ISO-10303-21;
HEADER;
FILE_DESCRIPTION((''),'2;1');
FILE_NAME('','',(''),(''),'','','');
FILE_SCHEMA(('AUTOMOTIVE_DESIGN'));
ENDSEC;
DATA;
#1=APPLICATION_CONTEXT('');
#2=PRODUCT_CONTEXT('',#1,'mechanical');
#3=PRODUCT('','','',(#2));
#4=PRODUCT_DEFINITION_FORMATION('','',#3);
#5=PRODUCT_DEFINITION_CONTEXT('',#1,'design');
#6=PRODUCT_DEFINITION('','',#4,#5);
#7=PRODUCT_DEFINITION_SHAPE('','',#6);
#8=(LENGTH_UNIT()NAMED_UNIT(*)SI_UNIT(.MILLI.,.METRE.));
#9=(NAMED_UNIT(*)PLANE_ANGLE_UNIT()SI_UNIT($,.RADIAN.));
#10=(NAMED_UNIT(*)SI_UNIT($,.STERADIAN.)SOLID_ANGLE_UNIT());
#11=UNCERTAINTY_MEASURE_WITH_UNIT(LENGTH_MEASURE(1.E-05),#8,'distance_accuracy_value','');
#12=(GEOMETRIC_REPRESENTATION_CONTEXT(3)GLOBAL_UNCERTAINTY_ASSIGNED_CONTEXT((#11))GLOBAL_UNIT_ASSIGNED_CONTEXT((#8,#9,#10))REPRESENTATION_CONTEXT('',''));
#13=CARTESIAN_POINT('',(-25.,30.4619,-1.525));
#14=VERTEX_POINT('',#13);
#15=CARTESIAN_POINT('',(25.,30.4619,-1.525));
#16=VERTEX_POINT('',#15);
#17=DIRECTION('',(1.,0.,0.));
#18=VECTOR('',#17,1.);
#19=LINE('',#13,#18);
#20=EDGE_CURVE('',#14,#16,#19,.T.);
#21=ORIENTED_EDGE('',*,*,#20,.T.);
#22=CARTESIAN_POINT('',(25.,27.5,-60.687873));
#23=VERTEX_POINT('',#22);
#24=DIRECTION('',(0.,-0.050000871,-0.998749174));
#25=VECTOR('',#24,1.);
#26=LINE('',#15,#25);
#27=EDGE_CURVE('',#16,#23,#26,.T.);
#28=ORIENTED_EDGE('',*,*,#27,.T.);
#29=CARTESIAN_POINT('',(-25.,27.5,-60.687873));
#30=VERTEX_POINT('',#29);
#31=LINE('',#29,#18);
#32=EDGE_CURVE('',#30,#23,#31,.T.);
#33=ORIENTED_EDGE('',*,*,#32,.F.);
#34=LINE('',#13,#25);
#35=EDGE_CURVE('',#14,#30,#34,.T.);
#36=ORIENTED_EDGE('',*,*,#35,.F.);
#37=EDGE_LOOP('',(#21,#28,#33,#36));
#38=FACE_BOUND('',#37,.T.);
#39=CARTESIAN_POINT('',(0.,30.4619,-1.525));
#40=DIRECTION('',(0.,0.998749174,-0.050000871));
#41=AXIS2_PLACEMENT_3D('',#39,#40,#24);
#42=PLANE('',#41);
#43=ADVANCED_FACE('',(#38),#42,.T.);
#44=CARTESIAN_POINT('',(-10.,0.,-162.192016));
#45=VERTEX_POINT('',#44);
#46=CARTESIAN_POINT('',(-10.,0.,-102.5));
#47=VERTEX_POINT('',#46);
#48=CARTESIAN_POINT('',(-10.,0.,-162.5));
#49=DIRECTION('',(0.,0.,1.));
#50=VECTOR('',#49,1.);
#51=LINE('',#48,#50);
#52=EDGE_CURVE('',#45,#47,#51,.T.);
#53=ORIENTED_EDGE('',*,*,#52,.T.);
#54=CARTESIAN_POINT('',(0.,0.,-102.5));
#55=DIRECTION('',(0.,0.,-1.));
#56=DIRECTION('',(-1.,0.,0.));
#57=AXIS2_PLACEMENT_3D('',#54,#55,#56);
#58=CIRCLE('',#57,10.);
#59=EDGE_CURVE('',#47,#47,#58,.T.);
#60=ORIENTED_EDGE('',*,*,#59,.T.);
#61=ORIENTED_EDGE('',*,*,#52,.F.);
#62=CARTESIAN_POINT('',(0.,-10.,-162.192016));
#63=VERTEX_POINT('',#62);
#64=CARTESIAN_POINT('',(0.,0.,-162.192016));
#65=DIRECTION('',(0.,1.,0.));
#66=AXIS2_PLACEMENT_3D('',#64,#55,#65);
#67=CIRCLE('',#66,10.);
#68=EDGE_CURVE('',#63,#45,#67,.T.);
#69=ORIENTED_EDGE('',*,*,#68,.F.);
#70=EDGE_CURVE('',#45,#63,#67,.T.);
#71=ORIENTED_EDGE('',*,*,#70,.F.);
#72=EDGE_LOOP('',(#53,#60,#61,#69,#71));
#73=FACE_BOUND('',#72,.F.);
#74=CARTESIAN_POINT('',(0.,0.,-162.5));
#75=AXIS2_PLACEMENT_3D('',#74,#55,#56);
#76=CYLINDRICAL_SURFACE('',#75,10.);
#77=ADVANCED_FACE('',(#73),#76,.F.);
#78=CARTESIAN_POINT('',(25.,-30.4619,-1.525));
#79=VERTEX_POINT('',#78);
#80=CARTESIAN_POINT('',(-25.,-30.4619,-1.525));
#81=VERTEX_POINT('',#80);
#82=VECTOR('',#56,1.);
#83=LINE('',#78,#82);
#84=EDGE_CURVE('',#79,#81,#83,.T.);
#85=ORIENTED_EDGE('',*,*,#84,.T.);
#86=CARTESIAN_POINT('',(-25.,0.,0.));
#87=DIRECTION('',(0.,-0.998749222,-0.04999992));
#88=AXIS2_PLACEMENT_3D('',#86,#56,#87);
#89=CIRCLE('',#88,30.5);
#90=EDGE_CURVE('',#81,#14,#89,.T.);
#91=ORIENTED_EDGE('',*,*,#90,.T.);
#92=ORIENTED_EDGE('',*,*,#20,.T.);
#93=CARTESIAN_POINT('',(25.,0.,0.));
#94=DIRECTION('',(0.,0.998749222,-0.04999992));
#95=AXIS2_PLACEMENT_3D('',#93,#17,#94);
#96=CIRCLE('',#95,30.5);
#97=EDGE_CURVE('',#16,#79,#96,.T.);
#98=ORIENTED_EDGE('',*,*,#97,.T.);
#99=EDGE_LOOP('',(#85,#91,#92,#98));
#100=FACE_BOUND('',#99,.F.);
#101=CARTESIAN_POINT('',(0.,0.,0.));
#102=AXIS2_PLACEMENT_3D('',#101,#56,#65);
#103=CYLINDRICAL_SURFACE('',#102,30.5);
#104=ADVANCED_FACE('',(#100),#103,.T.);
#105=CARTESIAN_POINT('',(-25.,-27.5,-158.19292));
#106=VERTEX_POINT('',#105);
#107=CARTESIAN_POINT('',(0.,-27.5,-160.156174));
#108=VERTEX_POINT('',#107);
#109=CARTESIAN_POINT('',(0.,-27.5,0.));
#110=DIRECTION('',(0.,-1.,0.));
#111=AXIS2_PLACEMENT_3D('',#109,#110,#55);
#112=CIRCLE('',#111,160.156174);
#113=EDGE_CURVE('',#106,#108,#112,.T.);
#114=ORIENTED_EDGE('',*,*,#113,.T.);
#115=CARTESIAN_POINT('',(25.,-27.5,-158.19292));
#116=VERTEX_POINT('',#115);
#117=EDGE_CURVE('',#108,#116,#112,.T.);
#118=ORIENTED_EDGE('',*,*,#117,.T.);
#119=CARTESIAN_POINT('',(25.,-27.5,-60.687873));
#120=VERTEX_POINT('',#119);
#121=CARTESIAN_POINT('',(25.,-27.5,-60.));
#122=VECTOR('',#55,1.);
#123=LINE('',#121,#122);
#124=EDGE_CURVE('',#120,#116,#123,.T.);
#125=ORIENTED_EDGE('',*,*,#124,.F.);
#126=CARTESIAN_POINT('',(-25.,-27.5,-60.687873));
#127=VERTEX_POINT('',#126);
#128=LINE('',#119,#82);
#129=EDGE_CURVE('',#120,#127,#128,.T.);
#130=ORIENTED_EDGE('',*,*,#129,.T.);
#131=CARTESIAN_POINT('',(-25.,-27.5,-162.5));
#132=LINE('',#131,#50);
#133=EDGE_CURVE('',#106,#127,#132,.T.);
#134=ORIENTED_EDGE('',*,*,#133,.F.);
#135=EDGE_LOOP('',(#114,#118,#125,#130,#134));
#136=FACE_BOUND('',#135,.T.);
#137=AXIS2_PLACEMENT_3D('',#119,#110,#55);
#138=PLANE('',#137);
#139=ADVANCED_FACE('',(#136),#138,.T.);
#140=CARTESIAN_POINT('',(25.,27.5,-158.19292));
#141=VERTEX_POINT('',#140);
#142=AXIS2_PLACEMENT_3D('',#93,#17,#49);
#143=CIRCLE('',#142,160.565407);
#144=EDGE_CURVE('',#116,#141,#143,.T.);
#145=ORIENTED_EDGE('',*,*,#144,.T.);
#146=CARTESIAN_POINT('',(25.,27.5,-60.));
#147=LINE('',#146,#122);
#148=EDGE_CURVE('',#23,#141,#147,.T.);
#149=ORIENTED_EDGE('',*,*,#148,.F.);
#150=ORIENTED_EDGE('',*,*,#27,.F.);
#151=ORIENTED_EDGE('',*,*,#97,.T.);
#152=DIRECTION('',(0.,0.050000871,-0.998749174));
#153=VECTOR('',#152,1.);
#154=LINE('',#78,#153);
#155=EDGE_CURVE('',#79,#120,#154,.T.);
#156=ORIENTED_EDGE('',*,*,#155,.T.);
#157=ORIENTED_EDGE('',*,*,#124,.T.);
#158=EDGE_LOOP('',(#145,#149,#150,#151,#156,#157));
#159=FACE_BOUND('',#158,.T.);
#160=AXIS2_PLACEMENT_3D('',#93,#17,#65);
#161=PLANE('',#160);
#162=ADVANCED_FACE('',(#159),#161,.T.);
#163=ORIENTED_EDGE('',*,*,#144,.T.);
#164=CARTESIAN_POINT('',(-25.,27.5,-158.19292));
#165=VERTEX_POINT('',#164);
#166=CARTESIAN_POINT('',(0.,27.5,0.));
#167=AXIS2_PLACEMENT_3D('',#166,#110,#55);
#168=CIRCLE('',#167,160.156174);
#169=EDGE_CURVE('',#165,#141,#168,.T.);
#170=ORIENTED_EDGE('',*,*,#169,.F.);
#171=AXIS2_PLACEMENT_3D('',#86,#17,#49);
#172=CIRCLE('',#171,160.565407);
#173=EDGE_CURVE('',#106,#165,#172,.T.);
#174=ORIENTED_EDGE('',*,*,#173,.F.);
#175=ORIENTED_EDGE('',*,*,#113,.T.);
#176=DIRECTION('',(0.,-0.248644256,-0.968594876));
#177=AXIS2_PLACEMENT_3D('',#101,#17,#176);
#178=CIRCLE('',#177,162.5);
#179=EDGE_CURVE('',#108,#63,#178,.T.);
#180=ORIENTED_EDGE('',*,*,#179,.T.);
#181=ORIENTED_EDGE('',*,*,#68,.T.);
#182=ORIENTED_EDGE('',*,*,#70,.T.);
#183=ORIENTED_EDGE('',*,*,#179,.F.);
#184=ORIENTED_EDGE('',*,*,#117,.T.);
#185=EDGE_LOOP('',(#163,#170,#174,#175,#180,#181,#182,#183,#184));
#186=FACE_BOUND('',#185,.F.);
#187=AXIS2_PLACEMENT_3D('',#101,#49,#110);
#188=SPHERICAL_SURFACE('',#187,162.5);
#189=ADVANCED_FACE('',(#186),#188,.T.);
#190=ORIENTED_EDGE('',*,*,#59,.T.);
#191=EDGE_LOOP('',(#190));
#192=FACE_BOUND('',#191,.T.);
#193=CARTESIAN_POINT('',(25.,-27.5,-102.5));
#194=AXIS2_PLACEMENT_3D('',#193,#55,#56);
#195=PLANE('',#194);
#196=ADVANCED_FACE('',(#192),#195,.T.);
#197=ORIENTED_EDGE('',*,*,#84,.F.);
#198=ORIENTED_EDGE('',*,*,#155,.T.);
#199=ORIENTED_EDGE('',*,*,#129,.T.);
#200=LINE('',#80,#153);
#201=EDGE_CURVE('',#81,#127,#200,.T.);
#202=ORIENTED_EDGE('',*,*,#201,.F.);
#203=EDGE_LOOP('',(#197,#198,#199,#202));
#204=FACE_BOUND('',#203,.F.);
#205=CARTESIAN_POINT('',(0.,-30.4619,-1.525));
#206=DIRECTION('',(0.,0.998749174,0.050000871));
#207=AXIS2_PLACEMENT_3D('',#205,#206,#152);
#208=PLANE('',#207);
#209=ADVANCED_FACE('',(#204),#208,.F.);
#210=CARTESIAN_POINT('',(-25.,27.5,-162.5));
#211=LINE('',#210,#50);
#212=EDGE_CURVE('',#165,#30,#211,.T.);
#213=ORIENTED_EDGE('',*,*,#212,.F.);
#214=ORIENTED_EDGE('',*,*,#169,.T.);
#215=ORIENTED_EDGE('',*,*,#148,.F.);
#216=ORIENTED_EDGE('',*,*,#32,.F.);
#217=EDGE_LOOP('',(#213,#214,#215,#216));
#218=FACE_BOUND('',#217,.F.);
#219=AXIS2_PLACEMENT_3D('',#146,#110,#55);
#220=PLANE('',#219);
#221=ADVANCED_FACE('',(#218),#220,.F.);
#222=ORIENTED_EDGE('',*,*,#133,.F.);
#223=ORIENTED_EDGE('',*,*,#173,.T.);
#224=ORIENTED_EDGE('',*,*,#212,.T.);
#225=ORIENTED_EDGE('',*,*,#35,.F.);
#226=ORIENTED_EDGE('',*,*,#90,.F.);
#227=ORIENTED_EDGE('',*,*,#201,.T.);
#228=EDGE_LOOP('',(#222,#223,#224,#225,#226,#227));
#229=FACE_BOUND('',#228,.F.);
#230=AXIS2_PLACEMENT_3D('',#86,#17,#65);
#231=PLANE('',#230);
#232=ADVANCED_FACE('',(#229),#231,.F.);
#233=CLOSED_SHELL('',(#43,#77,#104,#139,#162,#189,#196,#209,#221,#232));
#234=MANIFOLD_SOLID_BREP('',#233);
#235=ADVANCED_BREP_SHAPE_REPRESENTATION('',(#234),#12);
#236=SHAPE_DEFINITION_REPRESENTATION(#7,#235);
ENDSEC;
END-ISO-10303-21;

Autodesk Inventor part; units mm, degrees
ref_plane "YZ Plane" through (0, 0, 0) normal (1, 0, 0) x (0, 1, 0)
ref_plane "XY Plane" through (0, 0, 0) normal (0, 0, 1) x (1, 0, 0)
ref_plane "UCS1: YZ Plane" through (0, 0, 0) normal (1, 0, 0) x (0, 1, 0)
sketch "Sketch2" plane through (0, 0, 0) normal (1, 0, 0) x (0, 1, 0)
  circle A0 centre (0, -60) radius 27.5
  line L0 (27.5, -162.5) -> (-27.5, -162.5)
  line L1 (0, -60) -> (0, -162.5) construction
  line L2 (-27.5, -60) -> (-27.5, -162.5)
  line L3 (27.5, -60) -> (27.5, -162.5)
  circle A1 centre (0, 0) radius 30.5
  line L4 (-30.4619, -1.525) -> (-27.4656, -61.375)
  line L5 (30.4619, -1.525) -> (27.4656, -61.375)
  line L6 (30.5382, 0) -> (-30.5382, 0)
  point P0 (-30.5, 0)
  point P1 (30.5, 0)
  point P2 (-30.5, 0)
  point P3 (-27.5, -60.6879)
  point P4 (27.5, -60.6879)
  dimension "d1" = 55
  dimension "d3" = 55
  dimension "d26" = 61
  dimension "d33" = 60
  dimension "d39" = 162.5
extrude "Extrusion1" add sketch "Sketch2" along normal mid plane 50 contours A0
extrude "Extrusion2" add sketch "Sketch2" against normal blind 50 from surface at 25 contours L3 L5 A0 | A0 L4 L2 | L5 L3 L0 L2 L4 A0
sketch "Sketch5" plane through (25, -27.5, -162.5) normal (0, 0, -1) x (-1, 0, 0)
  circle A0 centre (25, 27.5) radius 10
  line L0 (50, 55) -> (50, 0) projected
  line L1 (50, 55) -> (0, 55) projected
  point P0 (25, 27.5)
  point P1 (50, 27.5)
  point P2 (-45, 0)
  point P3 (25, 55)
  dimension "d22" = 20
extrude "Extrusion4" cut sketch "Sketch5" against normal blind 60
ref_plane "Work Plane1" through (0, 0, -60) normal (-1, 0, 0) x (0, 0, -1)
sketch "Sketch4" plane through (0, 0, -60) normal (-1, 0, 0) x (0, 0, -1)
  circle A0 centre (-60, 0) radius 162.5
  line L0 (102.5, -27.5) -> (102.5, 27.5) projected
  line L1 (-222.5, 0) -> (102.5, 0)
  line L2 (102.5, 0) -> (102.5, 27.5)
  line L3 (102.5, 27.5) -> (0, 27.5) projected
  line L4 (102.5, 27.5) -> (102.5, 40.4047)
  line L5 (102.5, 40.4047) -> (97.3967, 40.4047)
  point P0 (100.1562, 27.5)
  point P1 (102.5, 0)
revolve "Revolution1" cut sketch "Sketch4" angle 360 about axis through (0, 0, 162.5) along (0, 0, -1) contours L5 L4 L3 A0 | L3 L0 A0
extrude "Extrusion5" add sketch "Sketch2" along normal mid plane 50 contours A0 L2 L4 A1 L5 L3 | A1 L6 | L6 A1
properties part number "shank_inventor"
